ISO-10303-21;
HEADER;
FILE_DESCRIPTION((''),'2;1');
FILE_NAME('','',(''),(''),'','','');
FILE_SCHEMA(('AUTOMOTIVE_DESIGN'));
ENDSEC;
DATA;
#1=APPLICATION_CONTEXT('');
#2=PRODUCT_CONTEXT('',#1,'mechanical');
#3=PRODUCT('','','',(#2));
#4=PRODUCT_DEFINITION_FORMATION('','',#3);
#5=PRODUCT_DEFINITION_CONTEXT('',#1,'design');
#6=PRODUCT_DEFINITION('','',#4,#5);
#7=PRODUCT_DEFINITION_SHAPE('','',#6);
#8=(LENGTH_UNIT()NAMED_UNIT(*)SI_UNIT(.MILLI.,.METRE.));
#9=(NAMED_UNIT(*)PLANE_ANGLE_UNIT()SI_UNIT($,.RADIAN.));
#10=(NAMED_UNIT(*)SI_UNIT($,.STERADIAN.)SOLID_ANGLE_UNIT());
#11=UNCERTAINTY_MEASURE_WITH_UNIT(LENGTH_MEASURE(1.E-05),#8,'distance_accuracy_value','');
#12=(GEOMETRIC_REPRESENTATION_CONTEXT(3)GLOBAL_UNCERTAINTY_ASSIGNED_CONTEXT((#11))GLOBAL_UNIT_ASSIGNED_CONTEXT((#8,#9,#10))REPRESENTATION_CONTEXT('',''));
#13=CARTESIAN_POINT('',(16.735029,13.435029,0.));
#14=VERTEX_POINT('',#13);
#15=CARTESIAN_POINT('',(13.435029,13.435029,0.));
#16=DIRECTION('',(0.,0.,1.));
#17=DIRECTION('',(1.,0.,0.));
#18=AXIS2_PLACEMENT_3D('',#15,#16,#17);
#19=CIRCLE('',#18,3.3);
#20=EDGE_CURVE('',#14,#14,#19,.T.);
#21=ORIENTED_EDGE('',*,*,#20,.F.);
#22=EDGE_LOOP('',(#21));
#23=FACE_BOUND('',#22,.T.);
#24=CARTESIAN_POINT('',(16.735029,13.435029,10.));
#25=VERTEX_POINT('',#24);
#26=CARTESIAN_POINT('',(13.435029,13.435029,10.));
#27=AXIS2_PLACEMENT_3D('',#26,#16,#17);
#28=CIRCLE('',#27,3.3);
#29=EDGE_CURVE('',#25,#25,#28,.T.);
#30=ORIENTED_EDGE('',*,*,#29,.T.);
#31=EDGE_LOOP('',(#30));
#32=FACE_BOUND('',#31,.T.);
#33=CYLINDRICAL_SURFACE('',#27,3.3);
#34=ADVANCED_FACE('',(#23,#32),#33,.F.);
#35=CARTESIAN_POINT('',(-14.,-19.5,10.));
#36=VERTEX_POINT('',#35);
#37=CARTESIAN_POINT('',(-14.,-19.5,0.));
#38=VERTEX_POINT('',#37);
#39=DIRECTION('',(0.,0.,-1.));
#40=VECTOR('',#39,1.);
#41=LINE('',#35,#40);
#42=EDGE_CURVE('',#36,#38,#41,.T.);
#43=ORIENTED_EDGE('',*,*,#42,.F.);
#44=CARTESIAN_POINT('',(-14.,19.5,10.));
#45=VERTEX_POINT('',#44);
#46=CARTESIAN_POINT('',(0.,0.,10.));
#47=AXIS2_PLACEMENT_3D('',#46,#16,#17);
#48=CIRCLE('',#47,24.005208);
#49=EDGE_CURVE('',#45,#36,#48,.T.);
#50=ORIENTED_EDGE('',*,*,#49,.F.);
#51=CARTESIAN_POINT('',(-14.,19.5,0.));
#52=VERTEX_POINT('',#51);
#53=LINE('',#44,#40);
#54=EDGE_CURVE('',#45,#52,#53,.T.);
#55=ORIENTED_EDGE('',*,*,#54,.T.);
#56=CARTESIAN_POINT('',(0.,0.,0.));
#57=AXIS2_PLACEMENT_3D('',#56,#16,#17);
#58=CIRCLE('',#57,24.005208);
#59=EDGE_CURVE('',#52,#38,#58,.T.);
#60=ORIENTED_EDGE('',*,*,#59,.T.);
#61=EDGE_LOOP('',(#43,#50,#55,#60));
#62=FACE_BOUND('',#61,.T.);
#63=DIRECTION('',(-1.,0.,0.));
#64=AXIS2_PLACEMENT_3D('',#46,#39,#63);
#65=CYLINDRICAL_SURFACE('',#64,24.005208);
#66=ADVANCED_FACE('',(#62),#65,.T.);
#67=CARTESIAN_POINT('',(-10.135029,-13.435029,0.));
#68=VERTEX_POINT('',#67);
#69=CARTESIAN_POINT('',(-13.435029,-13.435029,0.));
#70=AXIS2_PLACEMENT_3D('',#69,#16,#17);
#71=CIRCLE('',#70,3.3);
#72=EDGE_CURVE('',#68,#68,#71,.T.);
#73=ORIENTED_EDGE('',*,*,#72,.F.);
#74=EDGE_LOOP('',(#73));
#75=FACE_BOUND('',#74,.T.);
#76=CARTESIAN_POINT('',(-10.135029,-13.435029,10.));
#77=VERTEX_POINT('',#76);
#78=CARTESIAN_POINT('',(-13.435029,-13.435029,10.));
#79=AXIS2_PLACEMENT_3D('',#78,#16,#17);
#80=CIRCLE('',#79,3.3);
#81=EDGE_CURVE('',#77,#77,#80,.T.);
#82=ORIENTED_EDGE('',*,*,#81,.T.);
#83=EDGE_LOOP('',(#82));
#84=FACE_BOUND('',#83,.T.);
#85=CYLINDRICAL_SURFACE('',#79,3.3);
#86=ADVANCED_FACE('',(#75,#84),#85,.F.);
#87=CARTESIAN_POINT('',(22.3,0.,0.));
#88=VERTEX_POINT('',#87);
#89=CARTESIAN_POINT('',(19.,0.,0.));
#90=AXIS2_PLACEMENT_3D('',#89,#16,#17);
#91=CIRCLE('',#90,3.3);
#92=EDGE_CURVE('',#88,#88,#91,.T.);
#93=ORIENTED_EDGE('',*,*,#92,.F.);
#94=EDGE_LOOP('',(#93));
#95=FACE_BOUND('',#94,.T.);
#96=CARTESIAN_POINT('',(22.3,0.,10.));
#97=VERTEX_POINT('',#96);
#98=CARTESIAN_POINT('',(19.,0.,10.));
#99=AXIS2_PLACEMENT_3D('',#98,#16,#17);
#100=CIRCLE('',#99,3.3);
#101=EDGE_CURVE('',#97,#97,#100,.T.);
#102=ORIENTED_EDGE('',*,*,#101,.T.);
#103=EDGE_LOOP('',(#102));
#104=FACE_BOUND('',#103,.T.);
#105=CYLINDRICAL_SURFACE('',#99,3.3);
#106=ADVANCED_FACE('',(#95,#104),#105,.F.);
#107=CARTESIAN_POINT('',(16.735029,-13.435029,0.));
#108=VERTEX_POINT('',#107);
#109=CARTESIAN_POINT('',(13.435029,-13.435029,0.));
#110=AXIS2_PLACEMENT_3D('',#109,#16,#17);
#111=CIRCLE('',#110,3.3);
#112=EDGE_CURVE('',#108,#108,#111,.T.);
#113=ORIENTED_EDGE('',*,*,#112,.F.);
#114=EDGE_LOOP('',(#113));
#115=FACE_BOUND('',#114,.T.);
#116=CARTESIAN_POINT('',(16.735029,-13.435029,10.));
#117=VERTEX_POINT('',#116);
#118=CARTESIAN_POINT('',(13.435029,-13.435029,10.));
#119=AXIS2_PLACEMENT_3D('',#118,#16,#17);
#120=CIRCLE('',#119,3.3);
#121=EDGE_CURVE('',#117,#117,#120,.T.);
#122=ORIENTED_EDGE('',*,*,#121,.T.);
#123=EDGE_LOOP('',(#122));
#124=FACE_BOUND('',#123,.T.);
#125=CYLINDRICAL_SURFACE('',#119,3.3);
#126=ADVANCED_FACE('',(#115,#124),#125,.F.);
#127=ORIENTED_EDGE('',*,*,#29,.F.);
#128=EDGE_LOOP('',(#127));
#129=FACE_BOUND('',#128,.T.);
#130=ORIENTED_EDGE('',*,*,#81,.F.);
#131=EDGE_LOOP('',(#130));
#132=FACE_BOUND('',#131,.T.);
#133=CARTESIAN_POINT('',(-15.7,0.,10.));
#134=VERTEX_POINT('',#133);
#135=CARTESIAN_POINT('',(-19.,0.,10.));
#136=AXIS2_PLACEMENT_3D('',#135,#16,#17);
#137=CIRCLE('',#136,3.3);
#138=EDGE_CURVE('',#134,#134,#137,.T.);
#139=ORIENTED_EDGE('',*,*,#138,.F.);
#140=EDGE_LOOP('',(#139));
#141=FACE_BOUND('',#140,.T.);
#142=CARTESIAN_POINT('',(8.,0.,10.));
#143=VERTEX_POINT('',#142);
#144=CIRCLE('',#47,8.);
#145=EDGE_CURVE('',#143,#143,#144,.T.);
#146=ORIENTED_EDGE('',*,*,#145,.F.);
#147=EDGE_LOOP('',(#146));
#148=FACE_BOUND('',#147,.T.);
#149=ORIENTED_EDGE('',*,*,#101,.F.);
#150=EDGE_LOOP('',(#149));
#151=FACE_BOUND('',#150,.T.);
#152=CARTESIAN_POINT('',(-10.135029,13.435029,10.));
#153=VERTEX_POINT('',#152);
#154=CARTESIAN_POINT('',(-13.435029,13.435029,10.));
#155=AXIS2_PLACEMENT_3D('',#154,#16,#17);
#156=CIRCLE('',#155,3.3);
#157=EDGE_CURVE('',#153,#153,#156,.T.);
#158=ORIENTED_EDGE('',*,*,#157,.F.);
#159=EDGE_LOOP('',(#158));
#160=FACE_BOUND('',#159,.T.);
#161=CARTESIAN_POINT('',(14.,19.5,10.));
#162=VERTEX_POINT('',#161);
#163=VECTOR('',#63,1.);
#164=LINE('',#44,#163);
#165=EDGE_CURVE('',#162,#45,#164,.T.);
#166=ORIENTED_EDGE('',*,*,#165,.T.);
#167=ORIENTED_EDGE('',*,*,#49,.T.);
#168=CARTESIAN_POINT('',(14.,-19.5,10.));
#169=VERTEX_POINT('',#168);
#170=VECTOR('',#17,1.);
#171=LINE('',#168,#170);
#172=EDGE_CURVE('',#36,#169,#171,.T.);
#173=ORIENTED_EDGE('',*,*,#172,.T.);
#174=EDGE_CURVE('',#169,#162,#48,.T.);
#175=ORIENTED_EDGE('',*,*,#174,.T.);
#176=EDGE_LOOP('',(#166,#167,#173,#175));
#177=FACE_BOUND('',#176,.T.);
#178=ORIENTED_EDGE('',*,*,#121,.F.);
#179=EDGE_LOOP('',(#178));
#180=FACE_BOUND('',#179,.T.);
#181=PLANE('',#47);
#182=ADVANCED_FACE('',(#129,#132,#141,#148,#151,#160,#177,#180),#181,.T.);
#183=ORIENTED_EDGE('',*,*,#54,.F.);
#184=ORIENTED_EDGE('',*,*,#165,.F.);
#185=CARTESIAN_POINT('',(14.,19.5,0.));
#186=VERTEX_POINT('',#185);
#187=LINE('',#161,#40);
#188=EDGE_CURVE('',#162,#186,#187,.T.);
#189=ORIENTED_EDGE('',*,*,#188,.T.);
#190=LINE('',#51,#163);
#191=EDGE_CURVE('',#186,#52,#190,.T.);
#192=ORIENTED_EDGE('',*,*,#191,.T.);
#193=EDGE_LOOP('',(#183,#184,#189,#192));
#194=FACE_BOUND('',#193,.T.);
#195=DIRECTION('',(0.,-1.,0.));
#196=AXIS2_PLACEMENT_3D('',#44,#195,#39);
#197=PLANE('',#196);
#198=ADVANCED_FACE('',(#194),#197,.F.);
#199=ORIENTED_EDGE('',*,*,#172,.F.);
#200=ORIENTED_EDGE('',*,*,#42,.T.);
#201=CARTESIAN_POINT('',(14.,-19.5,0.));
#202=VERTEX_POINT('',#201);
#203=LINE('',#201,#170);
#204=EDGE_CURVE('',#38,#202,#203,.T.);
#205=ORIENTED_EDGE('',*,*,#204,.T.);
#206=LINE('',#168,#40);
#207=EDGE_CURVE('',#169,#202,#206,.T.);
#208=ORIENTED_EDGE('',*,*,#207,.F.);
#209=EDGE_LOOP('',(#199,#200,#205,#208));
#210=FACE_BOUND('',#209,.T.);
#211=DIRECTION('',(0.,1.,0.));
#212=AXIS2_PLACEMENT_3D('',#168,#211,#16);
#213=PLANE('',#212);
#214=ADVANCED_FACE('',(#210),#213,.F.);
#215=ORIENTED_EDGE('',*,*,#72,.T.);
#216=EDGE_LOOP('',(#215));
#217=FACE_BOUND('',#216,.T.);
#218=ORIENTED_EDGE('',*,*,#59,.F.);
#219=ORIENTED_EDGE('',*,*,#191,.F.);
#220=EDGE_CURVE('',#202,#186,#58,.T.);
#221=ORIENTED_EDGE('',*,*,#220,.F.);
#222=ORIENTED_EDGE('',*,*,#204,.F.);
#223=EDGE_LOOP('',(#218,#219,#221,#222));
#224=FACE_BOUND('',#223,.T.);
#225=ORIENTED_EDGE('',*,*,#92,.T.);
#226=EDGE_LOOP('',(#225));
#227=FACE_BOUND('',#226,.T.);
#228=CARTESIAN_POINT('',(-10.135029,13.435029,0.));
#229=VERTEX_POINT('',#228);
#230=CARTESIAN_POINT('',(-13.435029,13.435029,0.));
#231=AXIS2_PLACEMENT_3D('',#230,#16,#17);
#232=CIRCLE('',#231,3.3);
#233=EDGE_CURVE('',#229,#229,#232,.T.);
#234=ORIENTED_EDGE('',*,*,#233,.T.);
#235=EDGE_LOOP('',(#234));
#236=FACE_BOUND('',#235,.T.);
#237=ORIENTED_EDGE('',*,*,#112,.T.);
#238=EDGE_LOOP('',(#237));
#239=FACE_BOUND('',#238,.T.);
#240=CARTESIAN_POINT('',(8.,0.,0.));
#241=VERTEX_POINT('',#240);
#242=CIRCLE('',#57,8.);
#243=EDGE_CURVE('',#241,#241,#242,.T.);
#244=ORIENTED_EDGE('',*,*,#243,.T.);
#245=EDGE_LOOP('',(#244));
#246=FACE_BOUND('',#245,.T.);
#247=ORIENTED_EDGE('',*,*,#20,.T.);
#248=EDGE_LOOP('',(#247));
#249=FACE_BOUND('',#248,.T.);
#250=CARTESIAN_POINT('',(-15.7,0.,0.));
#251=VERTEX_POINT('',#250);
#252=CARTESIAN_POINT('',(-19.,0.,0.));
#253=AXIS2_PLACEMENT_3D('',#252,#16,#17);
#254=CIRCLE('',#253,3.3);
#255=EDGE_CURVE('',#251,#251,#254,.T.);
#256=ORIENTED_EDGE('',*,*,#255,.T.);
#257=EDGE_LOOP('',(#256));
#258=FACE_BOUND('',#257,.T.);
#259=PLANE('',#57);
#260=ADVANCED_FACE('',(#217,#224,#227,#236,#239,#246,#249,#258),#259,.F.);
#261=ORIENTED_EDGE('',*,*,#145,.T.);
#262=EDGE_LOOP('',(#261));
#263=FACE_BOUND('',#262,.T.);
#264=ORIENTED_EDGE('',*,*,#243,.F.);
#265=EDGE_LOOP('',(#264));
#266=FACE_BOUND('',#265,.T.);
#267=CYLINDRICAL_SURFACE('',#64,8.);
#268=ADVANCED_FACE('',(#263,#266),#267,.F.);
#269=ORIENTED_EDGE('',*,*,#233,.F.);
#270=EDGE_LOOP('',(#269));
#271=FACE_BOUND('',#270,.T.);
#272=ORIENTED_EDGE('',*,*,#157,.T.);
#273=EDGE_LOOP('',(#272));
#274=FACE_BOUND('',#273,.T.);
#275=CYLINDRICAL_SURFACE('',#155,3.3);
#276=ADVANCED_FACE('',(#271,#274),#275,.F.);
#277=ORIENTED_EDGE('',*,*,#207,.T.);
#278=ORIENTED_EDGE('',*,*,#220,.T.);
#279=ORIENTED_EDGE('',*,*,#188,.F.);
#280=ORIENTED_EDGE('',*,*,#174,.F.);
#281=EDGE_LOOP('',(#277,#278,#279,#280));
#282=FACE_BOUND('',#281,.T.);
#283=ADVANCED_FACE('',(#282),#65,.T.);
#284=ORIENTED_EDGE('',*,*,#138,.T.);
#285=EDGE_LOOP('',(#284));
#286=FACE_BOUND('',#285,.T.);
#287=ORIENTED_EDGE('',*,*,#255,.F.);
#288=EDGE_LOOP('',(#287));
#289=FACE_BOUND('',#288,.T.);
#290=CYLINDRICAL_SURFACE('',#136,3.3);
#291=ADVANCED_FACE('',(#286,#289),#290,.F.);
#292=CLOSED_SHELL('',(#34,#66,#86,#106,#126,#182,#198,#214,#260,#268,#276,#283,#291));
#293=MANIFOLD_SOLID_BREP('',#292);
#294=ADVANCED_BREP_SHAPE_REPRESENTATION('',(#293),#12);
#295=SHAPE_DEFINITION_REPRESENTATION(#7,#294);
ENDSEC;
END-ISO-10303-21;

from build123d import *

# Parameters (mm, degrees)
SKETCH1_R            = 8
BOSS_EXTRUDE1_DEPTH  = 10
M6_CLEARANCE_HOLE1_D = 6.6


with BuildPart() as part:
    # Sketch1 → Boss-Extrude1 (new body)
    with BuildSketch(Plane.XY):
        with BuildLine():
            Line((-14, 19.5), (14, 19.5))
            ThreePointArc((14, 19.5), (24.005207768, 0), (14, -19.5))
            Line((14, -19.5), (-14, -19.5))
            ThreePointArc((-14, -19.5), (-24.005207768, 0), (-14, 19.5))
        make_face()
        Circle(SKETCH1_R, mode=Mode.SUBTRACT)
    extrude(amount=BOSS_EXTRUDE1_DEPTH)

    # M6 Clearance Hole1 (through all)
    with Locations(Plane.XY.offset(10)):
        with Locations((-13.435028843, 13.435028843), (13.435028843, 13.435028843), (19, 0), (13.435028843, -13.435028843), (-13.435028843, -13.435028843), (-19, 0)):
            Hole(M6_CLEARANCE_HOLE1_D / 2)


solid = part.part
